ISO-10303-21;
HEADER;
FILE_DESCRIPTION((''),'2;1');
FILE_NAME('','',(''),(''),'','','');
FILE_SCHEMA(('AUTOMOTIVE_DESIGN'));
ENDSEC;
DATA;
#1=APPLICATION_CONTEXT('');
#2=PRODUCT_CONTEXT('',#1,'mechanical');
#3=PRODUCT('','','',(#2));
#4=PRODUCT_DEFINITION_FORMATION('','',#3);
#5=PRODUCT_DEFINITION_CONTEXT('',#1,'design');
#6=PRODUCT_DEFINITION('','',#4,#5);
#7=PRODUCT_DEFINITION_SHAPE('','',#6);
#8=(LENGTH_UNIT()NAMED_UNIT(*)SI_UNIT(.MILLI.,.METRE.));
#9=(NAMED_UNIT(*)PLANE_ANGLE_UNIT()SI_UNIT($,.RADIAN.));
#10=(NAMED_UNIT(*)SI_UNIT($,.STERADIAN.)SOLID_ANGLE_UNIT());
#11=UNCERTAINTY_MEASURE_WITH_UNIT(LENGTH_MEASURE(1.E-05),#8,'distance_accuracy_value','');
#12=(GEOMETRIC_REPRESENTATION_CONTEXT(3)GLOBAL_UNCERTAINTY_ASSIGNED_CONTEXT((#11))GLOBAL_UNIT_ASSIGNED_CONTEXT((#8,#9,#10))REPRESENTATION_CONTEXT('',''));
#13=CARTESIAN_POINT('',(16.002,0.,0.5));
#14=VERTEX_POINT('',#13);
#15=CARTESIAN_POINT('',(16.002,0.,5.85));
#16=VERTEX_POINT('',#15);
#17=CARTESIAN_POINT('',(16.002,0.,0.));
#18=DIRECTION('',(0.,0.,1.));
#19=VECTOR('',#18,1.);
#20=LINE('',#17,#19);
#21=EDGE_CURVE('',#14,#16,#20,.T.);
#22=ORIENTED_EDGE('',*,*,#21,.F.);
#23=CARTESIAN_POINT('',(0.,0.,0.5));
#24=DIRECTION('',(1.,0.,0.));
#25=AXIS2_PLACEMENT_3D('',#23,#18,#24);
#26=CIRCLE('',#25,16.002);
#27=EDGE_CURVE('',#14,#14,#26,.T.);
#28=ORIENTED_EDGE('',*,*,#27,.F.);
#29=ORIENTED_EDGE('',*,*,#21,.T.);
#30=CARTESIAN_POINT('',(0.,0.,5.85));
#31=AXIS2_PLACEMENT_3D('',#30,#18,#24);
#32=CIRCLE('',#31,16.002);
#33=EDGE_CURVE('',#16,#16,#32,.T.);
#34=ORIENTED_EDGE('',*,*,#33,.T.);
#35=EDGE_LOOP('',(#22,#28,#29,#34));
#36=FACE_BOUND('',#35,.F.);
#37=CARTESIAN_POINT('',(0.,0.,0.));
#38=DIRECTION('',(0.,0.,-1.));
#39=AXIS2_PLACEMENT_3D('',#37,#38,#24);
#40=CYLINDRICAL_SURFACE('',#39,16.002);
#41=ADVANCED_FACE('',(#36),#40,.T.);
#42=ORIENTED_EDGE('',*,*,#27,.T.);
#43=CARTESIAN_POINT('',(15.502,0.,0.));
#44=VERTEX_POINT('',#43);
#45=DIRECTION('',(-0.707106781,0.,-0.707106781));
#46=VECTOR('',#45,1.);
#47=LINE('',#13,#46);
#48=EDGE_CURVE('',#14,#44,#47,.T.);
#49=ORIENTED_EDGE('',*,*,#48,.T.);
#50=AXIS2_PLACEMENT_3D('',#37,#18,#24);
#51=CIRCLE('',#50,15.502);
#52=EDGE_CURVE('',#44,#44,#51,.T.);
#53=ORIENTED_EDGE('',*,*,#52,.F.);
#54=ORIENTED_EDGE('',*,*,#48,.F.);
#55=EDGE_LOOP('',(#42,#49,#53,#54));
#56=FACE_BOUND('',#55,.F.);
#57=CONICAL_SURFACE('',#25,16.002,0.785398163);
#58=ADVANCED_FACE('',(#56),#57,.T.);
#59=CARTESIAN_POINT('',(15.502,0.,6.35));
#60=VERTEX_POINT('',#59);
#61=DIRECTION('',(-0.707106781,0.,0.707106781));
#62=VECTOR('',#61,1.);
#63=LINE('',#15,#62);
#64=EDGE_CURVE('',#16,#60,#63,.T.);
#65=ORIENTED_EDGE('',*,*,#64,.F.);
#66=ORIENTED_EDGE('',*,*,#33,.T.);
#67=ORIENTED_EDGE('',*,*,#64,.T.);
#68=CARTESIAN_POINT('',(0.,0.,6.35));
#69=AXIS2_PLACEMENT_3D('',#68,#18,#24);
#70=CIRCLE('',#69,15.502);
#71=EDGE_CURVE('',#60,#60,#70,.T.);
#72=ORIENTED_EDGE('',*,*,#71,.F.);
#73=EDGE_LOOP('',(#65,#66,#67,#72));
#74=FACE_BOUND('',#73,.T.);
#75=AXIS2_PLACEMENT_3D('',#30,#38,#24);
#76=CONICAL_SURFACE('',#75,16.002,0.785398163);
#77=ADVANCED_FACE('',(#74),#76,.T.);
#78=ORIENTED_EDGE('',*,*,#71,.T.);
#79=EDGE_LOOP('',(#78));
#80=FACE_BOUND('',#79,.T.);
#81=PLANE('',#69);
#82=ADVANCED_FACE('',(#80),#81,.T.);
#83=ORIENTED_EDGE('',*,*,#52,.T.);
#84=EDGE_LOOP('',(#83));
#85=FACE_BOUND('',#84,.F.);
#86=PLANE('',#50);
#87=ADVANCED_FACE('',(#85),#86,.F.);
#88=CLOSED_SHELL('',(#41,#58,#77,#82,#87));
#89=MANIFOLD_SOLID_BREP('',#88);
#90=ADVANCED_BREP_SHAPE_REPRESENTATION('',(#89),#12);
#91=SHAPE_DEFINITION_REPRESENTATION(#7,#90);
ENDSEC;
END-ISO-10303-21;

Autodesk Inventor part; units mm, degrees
ref_plane "YZ Plane" through (0, 0, 0) normal (1, 0, 0) x (0, 1, 0)
ref_plane "XZ Plane" through (0, 0, 0) normal (0, 1, 0) x (-1, 0, 0)
ref_plane "XY Plane" through (0, 0, 0) normal (0, 0, 1) x (1, 0, 0)
sketch "Sketch1" plane through (0, 0, 0) normal (0, 0, 1) x (1, 0, 0)
  circle A0 centre (0, 0) radius 16.002
  dimension "d0" = 32.004
extrude "Extrusion1" add sketch "Sketch1" along normal blind 6.35
chamfer "Chamfer1" distance 0.5 angle 45 2 edges at (-16.002, 0, 6.35) (-16.002, 0, 0)
properties part number "Magnet"
